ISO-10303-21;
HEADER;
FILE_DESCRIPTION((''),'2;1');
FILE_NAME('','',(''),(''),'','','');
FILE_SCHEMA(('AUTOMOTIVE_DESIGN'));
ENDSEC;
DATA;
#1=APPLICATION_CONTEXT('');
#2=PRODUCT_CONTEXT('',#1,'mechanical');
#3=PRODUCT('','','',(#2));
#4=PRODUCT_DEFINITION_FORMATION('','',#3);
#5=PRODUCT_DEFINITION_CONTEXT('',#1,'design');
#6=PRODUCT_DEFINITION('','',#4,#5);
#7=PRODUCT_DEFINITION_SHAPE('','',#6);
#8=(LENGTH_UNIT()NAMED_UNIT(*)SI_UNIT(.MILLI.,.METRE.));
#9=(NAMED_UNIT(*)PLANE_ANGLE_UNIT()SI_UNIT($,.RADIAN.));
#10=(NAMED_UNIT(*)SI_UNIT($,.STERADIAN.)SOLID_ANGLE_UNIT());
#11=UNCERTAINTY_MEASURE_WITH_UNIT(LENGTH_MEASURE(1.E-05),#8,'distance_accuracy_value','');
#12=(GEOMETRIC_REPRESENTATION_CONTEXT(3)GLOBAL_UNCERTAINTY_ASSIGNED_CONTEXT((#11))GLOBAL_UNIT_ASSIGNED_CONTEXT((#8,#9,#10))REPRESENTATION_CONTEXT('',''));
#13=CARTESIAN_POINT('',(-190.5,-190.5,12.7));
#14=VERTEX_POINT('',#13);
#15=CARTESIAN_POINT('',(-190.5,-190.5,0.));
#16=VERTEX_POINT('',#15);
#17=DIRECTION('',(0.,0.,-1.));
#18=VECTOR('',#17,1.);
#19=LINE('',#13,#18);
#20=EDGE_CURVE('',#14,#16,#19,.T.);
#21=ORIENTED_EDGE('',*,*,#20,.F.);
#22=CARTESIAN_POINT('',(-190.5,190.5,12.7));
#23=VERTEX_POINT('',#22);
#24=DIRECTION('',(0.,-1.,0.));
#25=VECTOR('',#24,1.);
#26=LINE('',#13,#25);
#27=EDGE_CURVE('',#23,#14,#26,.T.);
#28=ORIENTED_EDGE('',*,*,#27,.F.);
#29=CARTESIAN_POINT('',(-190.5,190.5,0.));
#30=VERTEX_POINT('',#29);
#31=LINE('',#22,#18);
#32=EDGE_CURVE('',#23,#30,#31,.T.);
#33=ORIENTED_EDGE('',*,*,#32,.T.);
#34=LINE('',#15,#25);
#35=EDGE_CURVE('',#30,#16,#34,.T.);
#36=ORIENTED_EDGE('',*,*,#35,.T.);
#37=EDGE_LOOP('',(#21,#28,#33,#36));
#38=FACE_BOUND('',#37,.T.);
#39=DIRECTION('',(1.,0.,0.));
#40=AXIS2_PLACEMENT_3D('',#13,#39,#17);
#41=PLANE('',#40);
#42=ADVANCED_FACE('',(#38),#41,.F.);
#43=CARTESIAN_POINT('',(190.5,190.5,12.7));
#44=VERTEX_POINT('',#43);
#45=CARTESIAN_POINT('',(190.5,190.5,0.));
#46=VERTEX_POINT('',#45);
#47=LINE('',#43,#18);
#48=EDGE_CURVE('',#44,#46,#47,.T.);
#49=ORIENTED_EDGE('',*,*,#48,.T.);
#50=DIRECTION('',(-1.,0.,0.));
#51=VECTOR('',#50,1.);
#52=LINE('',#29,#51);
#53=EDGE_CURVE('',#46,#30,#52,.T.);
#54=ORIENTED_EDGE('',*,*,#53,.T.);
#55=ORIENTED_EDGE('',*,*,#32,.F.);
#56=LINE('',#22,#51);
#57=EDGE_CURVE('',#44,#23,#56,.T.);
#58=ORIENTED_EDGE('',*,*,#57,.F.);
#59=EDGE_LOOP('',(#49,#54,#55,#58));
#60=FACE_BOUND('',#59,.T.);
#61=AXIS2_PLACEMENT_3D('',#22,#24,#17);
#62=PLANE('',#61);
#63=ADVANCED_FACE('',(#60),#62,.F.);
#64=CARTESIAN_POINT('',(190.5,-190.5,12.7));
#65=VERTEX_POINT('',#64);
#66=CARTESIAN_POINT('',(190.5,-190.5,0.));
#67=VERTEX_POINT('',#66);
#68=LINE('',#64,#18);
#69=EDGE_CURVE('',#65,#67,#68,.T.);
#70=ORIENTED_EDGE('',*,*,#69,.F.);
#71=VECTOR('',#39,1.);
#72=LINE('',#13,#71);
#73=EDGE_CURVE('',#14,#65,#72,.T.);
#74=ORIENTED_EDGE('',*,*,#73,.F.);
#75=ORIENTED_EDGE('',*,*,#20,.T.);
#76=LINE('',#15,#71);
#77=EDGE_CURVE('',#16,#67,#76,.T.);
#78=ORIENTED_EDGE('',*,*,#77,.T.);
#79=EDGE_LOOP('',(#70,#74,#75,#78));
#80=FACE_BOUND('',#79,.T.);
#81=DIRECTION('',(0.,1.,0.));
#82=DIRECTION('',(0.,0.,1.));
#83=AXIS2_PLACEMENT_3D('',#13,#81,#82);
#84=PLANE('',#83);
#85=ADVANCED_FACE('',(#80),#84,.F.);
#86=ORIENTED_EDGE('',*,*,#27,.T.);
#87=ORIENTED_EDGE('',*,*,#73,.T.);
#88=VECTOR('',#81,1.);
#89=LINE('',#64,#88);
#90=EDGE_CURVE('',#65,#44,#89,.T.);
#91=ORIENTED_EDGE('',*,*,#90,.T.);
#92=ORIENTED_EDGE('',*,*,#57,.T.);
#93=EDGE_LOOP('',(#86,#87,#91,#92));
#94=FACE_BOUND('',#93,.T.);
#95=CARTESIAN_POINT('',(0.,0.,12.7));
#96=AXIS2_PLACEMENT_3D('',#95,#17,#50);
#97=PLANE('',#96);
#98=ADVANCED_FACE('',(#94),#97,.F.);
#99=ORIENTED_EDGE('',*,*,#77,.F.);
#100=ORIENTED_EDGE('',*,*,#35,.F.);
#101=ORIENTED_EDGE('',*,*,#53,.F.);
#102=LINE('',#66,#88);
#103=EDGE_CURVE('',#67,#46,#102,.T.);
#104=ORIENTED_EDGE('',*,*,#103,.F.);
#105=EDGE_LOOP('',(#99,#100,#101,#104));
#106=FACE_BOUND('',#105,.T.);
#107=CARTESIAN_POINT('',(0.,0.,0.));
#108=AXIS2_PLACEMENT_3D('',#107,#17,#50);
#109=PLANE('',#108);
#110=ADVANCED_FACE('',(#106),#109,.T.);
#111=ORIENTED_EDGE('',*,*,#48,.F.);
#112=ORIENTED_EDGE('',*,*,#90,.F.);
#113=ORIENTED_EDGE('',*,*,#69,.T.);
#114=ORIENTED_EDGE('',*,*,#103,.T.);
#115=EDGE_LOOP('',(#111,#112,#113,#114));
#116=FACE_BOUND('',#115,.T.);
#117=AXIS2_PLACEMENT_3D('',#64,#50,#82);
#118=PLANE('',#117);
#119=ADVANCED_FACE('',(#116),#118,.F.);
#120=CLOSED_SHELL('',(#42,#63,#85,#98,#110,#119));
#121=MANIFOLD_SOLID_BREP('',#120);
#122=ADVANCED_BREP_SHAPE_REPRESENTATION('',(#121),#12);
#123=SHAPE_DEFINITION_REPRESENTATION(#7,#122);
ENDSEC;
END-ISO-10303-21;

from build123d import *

# Parameters (mm, degrees)
ESQUISSE1_W        = 381
ESQUISSE1_H        = 381
BOSS_EXTRU_1_DEPTH = 12.7


with BuildPart() as part:
    # Esquisse1 → Boss.-Extru.1 (new body)
    with BuildSketch(Plane.XY):
        Rectangle(ESQUISSE1_W, ESQUISSE1_H)
    extrude(amount=BOSS_EXTRU_1_DEPTH)


solid = part.part
